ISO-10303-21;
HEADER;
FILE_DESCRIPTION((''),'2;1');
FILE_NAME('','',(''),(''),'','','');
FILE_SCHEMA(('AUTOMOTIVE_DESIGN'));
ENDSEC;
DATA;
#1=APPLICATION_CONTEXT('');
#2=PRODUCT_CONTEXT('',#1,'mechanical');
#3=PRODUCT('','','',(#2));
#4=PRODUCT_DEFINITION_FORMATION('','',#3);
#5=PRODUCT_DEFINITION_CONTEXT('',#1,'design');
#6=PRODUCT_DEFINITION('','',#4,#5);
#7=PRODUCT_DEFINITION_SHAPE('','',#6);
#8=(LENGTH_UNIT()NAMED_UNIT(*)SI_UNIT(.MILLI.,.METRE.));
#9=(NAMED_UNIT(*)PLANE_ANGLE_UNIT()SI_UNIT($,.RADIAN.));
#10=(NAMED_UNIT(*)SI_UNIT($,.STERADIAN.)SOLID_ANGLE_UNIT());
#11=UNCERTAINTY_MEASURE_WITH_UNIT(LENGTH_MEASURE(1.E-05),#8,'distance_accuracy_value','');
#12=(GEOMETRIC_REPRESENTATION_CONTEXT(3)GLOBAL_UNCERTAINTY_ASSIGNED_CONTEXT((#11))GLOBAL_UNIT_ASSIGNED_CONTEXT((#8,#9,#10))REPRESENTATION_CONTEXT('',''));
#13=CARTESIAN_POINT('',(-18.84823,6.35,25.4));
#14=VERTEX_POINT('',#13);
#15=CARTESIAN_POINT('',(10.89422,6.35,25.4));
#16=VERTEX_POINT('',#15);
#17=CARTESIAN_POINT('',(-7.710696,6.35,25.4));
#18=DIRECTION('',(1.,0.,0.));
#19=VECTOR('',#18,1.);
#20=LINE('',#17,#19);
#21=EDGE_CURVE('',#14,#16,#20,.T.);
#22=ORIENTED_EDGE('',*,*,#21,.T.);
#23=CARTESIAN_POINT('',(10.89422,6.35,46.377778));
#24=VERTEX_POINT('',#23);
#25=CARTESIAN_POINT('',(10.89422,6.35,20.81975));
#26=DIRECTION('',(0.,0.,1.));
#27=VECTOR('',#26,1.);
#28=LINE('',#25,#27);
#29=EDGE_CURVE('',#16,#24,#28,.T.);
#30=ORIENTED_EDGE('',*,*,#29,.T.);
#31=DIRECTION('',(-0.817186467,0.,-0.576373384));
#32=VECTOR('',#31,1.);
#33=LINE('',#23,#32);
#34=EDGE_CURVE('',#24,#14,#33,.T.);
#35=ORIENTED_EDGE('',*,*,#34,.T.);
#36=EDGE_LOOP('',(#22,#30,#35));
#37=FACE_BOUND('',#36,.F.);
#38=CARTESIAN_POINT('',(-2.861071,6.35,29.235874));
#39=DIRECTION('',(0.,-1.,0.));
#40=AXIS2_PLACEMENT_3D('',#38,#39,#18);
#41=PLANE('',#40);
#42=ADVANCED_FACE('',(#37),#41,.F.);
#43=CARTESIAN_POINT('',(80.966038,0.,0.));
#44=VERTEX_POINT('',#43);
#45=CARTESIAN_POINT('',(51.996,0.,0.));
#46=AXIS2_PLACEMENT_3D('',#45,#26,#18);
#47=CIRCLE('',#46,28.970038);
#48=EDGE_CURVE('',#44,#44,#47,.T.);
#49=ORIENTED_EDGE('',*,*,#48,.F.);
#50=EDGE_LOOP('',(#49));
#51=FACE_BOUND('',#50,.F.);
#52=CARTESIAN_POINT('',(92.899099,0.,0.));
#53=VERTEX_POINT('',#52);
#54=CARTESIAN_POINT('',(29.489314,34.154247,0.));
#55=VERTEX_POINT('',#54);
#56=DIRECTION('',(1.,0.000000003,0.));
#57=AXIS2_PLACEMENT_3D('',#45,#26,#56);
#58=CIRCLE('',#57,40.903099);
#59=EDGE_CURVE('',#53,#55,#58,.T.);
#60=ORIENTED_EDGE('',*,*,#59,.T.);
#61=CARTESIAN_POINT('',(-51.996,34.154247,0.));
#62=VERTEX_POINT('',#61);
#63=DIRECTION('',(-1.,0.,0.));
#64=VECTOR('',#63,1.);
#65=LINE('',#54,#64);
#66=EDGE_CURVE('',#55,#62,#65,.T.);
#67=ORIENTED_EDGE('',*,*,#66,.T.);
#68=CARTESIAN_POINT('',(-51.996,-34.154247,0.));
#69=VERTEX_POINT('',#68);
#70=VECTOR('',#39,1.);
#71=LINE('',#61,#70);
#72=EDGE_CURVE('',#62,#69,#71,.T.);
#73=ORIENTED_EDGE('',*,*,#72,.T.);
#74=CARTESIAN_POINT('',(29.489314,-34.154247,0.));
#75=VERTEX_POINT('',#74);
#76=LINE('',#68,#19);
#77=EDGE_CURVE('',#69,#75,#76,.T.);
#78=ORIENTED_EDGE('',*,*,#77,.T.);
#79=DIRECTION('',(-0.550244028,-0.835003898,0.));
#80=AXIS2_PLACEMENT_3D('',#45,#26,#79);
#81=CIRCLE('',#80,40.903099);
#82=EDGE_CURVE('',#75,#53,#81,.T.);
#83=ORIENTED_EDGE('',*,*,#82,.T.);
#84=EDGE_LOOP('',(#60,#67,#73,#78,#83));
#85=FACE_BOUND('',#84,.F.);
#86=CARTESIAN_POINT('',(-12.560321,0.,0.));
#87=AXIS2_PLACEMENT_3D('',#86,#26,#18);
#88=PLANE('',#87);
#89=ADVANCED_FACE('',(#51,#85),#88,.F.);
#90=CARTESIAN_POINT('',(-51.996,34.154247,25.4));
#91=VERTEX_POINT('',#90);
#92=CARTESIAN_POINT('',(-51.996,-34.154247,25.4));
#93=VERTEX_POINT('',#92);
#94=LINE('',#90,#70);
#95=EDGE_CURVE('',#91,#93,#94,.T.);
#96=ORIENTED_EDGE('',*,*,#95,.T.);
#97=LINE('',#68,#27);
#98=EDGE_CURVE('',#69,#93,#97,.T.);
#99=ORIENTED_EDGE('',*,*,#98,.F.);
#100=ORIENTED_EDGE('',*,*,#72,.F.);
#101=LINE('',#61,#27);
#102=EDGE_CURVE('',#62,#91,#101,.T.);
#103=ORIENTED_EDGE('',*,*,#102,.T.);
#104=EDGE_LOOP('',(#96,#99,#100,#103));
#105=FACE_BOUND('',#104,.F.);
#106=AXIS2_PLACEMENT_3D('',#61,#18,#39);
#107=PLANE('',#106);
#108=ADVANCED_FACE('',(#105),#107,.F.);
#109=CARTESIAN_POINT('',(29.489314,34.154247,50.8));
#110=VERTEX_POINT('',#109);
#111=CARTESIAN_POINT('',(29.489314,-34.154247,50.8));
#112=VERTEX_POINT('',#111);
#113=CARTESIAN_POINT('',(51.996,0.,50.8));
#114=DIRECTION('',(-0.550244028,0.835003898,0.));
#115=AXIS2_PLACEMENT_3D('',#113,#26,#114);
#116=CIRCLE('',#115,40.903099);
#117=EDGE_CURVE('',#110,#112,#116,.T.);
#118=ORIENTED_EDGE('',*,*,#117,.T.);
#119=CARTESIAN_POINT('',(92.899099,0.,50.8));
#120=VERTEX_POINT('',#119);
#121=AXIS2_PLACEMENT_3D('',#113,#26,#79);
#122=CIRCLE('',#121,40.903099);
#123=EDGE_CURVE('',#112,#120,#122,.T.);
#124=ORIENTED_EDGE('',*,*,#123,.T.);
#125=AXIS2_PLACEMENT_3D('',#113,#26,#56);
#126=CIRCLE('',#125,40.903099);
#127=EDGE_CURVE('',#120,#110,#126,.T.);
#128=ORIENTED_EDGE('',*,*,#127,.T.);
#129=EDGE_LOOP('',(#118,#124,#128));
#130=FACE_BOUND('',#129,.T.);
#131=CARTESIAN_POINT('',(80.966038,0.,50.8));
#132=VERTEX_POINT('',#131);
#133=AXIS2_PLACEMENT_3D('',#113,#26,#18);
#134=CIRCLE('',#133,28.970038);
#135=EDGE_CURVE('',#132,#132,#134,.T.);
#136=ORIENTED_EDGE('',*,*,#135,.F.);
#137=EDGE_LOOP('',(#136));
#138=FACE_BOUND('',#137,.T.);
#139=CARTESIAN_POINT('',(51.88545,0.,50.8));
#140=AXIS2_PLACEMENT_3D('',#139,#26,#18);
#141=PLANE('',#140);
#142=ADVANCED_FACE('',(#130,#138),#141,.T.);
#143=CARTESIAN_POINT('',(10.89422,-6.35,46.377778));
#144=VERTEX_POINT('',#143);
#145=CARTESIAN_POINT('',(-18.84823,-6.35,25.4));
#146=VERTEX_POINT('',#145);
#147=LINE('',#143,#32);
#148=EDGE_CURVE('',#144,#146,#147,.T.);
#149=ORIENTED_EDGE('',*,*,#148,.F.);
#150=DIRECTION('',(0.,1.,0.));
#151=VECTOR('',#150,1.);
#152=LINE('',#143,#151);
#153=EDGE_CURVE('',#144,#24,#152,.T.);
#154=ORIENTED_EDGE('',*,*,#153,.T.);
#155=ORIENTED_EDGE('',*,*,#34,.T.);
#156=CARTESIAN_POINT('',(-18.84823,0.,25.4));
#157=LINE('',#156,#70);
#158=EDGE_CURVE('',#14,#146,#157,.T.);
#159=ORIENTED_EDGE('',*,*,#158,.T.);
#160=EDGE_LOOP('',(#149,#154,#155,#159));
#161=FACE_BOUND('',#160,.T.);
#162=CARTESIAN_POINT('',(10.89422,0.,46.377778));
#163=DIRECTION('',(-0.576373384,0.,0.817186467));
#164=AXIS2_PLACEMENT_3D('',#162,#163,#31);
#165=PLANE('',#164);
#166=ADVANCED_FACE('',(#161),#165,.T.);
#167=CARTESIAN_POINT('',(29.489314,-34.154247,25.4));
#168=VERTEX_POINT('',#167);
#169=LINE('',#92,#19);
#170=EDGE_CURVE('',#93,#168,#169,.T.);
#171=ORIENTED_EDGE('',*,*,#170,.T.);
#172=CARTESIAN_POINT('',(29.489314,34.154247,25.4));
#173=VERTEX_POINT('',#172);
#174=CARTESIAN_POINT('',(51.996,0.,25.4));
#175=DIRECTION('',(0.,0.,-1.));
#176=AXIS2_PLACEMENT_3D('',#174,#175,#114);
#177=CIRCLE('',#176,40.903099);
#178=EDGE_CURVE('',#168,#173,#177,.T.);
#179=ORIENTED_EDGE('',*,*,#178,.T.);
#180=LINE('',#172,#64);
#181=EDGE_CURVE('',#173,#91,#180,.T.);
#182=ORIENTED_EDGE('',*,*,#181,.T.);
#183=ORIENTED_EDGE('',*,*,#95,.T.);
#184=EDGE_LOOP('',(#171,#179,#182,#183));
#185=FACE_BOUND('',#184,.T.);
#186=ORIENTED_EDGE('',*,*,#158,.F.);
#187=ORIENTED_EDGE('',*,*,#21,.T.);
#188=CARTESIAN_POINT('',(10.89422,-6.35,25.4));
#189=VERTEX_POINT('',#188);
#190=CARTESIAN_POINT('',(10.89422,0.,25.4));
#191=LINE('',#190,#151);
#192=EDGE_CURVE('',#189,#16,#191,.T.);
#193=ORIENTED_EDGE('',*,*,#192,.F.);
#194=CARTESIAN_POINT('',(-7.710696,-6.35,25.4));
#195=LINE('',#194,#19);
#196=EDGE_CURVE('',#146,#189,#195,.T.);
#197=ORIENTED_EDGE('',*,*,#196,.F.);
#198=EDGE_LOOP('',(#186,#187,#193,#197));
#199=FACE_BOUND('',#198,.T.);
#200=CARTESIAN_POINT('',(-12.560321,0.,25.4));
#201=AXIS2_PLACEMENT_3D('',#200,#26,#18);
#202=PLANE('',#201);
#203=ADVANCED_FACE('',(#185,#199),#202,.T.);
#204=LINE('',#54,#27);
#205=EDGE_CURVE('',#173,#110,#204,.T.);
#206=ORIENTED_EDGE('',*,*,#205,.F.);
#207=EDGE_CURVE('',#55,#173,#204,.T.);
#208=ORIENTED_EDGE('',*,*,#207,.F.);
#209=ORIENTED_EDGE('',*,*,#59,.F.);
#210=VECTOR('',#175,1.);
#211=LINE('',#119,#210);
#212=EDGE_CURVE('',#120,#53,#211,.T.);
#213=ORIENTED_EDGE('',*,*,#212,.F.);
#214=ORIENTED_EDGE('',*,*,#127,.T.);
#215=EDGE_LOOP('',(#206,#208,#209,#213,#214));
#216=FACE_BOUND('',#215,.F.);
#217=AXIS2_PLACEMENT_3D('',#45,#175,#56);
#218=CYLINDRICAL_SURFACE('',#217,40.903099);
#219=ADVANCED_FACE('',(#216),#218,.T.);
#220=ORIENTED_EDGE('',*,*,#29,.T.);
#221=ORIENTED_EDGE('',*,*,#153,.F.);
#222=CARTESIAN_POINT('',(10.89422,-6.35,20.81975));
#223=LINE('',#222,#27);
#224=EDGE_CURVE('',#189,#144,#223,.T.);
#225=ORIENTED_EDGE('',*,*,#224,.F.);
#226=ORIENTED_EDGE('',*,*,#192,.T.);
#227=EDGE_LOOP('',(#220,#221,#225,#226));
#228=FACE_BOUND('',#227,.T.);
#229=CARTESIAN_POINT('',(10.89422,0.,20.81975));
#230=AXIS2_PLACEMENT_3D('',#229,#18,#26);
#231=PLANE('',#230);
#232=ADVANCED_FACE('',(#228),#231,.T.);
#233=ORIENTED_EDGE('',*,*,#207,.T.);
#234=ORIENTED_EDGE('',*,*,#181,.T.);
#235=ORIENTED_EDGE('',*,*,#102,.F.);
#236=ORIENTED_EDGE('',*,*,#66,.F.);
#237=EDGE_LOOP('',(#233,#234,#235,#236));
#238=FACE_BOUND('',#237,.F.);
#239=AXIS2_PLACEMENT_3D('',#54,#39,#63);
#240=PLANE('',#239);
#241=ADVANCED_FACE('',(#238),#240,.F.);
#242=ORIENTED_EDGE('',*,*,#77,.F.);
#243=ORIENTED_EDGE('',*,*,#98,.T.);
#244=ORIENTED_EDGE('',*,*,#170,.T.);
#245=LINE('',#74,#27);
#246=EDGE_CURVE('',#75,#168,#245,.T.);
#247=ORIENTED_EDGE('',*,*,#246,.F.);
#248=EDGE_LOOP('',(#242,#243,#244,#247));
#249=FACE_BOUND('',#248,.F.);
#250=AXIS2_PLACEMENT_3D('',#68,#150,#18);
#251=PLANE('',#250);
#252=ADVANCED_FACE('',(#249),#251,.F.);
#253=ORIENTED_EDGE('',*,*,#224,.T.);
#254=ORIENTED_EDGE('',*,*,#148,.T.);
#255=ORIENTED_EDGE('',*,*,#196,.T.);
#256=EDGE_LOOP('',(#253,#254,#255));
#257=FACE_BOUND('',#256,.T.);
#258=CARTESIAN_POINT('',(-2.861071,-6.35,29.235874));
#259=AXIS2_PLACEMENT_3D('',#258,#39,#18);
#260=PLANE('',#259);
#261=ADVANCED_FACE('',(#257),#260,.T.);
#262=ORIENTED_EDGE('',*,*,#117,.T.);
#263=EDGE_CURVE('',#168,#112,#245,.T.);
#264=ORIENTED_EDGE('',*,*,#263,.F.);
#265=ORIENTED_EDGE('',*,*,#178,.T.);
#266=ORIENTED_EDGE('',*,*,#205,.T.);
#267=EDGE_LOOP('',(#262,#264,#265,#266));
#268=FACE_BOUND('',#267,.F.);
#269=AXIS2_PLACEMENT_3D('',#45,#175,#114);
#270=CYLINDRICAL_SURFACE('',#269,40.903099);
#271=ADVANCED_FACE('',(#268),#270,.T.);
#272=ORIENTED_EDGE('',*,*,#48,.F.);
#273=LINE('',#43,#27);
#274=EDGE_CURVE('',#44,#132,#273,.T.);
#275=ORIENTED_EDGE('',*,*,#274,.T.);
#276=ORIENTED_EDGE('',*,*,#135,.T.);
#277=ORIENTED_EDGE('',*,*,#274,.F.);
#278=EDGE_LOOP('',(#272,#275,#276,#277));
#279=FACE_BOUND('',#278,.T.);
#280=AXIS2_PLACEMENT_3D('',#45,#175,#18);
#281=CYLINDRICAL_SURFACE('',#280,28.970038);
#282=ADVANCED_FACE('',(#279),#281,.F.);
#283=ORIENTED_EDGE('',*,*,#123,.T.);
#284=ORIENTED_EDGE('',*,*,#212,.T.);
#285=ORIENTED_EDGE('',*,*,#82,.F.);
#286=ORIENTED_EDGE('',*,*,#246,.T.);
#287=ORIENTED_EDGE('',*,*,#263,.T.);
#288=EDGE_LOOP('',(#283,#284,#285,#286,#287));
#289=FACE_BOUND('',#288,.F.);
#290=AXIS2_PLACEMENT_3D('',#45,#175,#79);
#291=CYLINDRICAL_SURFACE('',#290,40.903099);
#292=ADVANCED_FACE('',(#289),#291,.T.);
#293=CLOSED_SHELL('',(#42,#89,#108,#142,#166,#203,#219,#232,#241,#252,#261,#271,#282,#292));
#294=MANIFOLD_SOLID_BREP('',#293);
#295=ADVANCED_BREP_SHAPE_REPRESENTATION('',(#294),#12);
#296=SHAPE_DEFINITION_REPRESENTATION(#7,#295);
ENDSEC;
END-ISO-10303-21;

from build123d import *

# Parameters (mm, degrees)
F0_R     = 28.970038
F1_DEPTH = 50.8
F2_DEPTH = 25.4
F4_DEPTH = 6.35


with BuildPart() as f1:
    # F0 (on Top) → F1 (new body)
    with BuildSketch(Plane.XY):
        with BuildLine():
            ThreePointArc((92.899099, 0), (71.392782, 36.011503), (29.489314, 34.154247))
            ThreePointArc((29.489314, 34.154247), (11.092901, 0), (29.489314, -34.154247))
            ThreePointArc((29.489314, -34.154247), (71.392782, -36.011503), (92.899099, 0))
        make_face()
        with Locations((51.996, 0)):
            Circle(F0_R, mode=Mode.SUBTRACT)
    extrude(amount=F1_DEPTH)

    # F0 (on Top) → F2 (join)
    with BuildSketch(Plane.XY):
        with BuildLine():
            ThreePointArc((29.489314, -34.154247), (11.092901, 0), (29.489314, 34.154247))
            Line((29.489314, 34.154247), (-51.996, 34.154247))
            Line((-51.996, 34.154247), (-51.996, -34.154247))
            Line((-51.996, -34.154247), (29.489314, -34.154247))
        make_face()
        with BuildLine():
            ThreePointArc((92.899099, 0), (71.392782, 36.011503), (29.489314, 34.154247))
            ThreePointArc((29.489314, 34.154247), (11.092901, 0), (29.489314, -34.154247))
            ThreePointArc((29.489314, -34.154247), (71.392782, -36.011503), (92.899099, 0))
        make_face()
        with Locations((51.996, 0)):
            Circle(F0_R, mode=Mode.SUBTRACT)
    extrude(amount=F2_DEPTH)

    # F3 (on Front) → F4 (join, symmetric)
    with BuildSketch(Plane.XZ):
        Polygon((-25.342142, 20.81975), (10.89422, 20.81975), (10.89422, 46.377778), align=None)
    extrude(amount=F4_DEPTH, both=True)


solid = f1.part
